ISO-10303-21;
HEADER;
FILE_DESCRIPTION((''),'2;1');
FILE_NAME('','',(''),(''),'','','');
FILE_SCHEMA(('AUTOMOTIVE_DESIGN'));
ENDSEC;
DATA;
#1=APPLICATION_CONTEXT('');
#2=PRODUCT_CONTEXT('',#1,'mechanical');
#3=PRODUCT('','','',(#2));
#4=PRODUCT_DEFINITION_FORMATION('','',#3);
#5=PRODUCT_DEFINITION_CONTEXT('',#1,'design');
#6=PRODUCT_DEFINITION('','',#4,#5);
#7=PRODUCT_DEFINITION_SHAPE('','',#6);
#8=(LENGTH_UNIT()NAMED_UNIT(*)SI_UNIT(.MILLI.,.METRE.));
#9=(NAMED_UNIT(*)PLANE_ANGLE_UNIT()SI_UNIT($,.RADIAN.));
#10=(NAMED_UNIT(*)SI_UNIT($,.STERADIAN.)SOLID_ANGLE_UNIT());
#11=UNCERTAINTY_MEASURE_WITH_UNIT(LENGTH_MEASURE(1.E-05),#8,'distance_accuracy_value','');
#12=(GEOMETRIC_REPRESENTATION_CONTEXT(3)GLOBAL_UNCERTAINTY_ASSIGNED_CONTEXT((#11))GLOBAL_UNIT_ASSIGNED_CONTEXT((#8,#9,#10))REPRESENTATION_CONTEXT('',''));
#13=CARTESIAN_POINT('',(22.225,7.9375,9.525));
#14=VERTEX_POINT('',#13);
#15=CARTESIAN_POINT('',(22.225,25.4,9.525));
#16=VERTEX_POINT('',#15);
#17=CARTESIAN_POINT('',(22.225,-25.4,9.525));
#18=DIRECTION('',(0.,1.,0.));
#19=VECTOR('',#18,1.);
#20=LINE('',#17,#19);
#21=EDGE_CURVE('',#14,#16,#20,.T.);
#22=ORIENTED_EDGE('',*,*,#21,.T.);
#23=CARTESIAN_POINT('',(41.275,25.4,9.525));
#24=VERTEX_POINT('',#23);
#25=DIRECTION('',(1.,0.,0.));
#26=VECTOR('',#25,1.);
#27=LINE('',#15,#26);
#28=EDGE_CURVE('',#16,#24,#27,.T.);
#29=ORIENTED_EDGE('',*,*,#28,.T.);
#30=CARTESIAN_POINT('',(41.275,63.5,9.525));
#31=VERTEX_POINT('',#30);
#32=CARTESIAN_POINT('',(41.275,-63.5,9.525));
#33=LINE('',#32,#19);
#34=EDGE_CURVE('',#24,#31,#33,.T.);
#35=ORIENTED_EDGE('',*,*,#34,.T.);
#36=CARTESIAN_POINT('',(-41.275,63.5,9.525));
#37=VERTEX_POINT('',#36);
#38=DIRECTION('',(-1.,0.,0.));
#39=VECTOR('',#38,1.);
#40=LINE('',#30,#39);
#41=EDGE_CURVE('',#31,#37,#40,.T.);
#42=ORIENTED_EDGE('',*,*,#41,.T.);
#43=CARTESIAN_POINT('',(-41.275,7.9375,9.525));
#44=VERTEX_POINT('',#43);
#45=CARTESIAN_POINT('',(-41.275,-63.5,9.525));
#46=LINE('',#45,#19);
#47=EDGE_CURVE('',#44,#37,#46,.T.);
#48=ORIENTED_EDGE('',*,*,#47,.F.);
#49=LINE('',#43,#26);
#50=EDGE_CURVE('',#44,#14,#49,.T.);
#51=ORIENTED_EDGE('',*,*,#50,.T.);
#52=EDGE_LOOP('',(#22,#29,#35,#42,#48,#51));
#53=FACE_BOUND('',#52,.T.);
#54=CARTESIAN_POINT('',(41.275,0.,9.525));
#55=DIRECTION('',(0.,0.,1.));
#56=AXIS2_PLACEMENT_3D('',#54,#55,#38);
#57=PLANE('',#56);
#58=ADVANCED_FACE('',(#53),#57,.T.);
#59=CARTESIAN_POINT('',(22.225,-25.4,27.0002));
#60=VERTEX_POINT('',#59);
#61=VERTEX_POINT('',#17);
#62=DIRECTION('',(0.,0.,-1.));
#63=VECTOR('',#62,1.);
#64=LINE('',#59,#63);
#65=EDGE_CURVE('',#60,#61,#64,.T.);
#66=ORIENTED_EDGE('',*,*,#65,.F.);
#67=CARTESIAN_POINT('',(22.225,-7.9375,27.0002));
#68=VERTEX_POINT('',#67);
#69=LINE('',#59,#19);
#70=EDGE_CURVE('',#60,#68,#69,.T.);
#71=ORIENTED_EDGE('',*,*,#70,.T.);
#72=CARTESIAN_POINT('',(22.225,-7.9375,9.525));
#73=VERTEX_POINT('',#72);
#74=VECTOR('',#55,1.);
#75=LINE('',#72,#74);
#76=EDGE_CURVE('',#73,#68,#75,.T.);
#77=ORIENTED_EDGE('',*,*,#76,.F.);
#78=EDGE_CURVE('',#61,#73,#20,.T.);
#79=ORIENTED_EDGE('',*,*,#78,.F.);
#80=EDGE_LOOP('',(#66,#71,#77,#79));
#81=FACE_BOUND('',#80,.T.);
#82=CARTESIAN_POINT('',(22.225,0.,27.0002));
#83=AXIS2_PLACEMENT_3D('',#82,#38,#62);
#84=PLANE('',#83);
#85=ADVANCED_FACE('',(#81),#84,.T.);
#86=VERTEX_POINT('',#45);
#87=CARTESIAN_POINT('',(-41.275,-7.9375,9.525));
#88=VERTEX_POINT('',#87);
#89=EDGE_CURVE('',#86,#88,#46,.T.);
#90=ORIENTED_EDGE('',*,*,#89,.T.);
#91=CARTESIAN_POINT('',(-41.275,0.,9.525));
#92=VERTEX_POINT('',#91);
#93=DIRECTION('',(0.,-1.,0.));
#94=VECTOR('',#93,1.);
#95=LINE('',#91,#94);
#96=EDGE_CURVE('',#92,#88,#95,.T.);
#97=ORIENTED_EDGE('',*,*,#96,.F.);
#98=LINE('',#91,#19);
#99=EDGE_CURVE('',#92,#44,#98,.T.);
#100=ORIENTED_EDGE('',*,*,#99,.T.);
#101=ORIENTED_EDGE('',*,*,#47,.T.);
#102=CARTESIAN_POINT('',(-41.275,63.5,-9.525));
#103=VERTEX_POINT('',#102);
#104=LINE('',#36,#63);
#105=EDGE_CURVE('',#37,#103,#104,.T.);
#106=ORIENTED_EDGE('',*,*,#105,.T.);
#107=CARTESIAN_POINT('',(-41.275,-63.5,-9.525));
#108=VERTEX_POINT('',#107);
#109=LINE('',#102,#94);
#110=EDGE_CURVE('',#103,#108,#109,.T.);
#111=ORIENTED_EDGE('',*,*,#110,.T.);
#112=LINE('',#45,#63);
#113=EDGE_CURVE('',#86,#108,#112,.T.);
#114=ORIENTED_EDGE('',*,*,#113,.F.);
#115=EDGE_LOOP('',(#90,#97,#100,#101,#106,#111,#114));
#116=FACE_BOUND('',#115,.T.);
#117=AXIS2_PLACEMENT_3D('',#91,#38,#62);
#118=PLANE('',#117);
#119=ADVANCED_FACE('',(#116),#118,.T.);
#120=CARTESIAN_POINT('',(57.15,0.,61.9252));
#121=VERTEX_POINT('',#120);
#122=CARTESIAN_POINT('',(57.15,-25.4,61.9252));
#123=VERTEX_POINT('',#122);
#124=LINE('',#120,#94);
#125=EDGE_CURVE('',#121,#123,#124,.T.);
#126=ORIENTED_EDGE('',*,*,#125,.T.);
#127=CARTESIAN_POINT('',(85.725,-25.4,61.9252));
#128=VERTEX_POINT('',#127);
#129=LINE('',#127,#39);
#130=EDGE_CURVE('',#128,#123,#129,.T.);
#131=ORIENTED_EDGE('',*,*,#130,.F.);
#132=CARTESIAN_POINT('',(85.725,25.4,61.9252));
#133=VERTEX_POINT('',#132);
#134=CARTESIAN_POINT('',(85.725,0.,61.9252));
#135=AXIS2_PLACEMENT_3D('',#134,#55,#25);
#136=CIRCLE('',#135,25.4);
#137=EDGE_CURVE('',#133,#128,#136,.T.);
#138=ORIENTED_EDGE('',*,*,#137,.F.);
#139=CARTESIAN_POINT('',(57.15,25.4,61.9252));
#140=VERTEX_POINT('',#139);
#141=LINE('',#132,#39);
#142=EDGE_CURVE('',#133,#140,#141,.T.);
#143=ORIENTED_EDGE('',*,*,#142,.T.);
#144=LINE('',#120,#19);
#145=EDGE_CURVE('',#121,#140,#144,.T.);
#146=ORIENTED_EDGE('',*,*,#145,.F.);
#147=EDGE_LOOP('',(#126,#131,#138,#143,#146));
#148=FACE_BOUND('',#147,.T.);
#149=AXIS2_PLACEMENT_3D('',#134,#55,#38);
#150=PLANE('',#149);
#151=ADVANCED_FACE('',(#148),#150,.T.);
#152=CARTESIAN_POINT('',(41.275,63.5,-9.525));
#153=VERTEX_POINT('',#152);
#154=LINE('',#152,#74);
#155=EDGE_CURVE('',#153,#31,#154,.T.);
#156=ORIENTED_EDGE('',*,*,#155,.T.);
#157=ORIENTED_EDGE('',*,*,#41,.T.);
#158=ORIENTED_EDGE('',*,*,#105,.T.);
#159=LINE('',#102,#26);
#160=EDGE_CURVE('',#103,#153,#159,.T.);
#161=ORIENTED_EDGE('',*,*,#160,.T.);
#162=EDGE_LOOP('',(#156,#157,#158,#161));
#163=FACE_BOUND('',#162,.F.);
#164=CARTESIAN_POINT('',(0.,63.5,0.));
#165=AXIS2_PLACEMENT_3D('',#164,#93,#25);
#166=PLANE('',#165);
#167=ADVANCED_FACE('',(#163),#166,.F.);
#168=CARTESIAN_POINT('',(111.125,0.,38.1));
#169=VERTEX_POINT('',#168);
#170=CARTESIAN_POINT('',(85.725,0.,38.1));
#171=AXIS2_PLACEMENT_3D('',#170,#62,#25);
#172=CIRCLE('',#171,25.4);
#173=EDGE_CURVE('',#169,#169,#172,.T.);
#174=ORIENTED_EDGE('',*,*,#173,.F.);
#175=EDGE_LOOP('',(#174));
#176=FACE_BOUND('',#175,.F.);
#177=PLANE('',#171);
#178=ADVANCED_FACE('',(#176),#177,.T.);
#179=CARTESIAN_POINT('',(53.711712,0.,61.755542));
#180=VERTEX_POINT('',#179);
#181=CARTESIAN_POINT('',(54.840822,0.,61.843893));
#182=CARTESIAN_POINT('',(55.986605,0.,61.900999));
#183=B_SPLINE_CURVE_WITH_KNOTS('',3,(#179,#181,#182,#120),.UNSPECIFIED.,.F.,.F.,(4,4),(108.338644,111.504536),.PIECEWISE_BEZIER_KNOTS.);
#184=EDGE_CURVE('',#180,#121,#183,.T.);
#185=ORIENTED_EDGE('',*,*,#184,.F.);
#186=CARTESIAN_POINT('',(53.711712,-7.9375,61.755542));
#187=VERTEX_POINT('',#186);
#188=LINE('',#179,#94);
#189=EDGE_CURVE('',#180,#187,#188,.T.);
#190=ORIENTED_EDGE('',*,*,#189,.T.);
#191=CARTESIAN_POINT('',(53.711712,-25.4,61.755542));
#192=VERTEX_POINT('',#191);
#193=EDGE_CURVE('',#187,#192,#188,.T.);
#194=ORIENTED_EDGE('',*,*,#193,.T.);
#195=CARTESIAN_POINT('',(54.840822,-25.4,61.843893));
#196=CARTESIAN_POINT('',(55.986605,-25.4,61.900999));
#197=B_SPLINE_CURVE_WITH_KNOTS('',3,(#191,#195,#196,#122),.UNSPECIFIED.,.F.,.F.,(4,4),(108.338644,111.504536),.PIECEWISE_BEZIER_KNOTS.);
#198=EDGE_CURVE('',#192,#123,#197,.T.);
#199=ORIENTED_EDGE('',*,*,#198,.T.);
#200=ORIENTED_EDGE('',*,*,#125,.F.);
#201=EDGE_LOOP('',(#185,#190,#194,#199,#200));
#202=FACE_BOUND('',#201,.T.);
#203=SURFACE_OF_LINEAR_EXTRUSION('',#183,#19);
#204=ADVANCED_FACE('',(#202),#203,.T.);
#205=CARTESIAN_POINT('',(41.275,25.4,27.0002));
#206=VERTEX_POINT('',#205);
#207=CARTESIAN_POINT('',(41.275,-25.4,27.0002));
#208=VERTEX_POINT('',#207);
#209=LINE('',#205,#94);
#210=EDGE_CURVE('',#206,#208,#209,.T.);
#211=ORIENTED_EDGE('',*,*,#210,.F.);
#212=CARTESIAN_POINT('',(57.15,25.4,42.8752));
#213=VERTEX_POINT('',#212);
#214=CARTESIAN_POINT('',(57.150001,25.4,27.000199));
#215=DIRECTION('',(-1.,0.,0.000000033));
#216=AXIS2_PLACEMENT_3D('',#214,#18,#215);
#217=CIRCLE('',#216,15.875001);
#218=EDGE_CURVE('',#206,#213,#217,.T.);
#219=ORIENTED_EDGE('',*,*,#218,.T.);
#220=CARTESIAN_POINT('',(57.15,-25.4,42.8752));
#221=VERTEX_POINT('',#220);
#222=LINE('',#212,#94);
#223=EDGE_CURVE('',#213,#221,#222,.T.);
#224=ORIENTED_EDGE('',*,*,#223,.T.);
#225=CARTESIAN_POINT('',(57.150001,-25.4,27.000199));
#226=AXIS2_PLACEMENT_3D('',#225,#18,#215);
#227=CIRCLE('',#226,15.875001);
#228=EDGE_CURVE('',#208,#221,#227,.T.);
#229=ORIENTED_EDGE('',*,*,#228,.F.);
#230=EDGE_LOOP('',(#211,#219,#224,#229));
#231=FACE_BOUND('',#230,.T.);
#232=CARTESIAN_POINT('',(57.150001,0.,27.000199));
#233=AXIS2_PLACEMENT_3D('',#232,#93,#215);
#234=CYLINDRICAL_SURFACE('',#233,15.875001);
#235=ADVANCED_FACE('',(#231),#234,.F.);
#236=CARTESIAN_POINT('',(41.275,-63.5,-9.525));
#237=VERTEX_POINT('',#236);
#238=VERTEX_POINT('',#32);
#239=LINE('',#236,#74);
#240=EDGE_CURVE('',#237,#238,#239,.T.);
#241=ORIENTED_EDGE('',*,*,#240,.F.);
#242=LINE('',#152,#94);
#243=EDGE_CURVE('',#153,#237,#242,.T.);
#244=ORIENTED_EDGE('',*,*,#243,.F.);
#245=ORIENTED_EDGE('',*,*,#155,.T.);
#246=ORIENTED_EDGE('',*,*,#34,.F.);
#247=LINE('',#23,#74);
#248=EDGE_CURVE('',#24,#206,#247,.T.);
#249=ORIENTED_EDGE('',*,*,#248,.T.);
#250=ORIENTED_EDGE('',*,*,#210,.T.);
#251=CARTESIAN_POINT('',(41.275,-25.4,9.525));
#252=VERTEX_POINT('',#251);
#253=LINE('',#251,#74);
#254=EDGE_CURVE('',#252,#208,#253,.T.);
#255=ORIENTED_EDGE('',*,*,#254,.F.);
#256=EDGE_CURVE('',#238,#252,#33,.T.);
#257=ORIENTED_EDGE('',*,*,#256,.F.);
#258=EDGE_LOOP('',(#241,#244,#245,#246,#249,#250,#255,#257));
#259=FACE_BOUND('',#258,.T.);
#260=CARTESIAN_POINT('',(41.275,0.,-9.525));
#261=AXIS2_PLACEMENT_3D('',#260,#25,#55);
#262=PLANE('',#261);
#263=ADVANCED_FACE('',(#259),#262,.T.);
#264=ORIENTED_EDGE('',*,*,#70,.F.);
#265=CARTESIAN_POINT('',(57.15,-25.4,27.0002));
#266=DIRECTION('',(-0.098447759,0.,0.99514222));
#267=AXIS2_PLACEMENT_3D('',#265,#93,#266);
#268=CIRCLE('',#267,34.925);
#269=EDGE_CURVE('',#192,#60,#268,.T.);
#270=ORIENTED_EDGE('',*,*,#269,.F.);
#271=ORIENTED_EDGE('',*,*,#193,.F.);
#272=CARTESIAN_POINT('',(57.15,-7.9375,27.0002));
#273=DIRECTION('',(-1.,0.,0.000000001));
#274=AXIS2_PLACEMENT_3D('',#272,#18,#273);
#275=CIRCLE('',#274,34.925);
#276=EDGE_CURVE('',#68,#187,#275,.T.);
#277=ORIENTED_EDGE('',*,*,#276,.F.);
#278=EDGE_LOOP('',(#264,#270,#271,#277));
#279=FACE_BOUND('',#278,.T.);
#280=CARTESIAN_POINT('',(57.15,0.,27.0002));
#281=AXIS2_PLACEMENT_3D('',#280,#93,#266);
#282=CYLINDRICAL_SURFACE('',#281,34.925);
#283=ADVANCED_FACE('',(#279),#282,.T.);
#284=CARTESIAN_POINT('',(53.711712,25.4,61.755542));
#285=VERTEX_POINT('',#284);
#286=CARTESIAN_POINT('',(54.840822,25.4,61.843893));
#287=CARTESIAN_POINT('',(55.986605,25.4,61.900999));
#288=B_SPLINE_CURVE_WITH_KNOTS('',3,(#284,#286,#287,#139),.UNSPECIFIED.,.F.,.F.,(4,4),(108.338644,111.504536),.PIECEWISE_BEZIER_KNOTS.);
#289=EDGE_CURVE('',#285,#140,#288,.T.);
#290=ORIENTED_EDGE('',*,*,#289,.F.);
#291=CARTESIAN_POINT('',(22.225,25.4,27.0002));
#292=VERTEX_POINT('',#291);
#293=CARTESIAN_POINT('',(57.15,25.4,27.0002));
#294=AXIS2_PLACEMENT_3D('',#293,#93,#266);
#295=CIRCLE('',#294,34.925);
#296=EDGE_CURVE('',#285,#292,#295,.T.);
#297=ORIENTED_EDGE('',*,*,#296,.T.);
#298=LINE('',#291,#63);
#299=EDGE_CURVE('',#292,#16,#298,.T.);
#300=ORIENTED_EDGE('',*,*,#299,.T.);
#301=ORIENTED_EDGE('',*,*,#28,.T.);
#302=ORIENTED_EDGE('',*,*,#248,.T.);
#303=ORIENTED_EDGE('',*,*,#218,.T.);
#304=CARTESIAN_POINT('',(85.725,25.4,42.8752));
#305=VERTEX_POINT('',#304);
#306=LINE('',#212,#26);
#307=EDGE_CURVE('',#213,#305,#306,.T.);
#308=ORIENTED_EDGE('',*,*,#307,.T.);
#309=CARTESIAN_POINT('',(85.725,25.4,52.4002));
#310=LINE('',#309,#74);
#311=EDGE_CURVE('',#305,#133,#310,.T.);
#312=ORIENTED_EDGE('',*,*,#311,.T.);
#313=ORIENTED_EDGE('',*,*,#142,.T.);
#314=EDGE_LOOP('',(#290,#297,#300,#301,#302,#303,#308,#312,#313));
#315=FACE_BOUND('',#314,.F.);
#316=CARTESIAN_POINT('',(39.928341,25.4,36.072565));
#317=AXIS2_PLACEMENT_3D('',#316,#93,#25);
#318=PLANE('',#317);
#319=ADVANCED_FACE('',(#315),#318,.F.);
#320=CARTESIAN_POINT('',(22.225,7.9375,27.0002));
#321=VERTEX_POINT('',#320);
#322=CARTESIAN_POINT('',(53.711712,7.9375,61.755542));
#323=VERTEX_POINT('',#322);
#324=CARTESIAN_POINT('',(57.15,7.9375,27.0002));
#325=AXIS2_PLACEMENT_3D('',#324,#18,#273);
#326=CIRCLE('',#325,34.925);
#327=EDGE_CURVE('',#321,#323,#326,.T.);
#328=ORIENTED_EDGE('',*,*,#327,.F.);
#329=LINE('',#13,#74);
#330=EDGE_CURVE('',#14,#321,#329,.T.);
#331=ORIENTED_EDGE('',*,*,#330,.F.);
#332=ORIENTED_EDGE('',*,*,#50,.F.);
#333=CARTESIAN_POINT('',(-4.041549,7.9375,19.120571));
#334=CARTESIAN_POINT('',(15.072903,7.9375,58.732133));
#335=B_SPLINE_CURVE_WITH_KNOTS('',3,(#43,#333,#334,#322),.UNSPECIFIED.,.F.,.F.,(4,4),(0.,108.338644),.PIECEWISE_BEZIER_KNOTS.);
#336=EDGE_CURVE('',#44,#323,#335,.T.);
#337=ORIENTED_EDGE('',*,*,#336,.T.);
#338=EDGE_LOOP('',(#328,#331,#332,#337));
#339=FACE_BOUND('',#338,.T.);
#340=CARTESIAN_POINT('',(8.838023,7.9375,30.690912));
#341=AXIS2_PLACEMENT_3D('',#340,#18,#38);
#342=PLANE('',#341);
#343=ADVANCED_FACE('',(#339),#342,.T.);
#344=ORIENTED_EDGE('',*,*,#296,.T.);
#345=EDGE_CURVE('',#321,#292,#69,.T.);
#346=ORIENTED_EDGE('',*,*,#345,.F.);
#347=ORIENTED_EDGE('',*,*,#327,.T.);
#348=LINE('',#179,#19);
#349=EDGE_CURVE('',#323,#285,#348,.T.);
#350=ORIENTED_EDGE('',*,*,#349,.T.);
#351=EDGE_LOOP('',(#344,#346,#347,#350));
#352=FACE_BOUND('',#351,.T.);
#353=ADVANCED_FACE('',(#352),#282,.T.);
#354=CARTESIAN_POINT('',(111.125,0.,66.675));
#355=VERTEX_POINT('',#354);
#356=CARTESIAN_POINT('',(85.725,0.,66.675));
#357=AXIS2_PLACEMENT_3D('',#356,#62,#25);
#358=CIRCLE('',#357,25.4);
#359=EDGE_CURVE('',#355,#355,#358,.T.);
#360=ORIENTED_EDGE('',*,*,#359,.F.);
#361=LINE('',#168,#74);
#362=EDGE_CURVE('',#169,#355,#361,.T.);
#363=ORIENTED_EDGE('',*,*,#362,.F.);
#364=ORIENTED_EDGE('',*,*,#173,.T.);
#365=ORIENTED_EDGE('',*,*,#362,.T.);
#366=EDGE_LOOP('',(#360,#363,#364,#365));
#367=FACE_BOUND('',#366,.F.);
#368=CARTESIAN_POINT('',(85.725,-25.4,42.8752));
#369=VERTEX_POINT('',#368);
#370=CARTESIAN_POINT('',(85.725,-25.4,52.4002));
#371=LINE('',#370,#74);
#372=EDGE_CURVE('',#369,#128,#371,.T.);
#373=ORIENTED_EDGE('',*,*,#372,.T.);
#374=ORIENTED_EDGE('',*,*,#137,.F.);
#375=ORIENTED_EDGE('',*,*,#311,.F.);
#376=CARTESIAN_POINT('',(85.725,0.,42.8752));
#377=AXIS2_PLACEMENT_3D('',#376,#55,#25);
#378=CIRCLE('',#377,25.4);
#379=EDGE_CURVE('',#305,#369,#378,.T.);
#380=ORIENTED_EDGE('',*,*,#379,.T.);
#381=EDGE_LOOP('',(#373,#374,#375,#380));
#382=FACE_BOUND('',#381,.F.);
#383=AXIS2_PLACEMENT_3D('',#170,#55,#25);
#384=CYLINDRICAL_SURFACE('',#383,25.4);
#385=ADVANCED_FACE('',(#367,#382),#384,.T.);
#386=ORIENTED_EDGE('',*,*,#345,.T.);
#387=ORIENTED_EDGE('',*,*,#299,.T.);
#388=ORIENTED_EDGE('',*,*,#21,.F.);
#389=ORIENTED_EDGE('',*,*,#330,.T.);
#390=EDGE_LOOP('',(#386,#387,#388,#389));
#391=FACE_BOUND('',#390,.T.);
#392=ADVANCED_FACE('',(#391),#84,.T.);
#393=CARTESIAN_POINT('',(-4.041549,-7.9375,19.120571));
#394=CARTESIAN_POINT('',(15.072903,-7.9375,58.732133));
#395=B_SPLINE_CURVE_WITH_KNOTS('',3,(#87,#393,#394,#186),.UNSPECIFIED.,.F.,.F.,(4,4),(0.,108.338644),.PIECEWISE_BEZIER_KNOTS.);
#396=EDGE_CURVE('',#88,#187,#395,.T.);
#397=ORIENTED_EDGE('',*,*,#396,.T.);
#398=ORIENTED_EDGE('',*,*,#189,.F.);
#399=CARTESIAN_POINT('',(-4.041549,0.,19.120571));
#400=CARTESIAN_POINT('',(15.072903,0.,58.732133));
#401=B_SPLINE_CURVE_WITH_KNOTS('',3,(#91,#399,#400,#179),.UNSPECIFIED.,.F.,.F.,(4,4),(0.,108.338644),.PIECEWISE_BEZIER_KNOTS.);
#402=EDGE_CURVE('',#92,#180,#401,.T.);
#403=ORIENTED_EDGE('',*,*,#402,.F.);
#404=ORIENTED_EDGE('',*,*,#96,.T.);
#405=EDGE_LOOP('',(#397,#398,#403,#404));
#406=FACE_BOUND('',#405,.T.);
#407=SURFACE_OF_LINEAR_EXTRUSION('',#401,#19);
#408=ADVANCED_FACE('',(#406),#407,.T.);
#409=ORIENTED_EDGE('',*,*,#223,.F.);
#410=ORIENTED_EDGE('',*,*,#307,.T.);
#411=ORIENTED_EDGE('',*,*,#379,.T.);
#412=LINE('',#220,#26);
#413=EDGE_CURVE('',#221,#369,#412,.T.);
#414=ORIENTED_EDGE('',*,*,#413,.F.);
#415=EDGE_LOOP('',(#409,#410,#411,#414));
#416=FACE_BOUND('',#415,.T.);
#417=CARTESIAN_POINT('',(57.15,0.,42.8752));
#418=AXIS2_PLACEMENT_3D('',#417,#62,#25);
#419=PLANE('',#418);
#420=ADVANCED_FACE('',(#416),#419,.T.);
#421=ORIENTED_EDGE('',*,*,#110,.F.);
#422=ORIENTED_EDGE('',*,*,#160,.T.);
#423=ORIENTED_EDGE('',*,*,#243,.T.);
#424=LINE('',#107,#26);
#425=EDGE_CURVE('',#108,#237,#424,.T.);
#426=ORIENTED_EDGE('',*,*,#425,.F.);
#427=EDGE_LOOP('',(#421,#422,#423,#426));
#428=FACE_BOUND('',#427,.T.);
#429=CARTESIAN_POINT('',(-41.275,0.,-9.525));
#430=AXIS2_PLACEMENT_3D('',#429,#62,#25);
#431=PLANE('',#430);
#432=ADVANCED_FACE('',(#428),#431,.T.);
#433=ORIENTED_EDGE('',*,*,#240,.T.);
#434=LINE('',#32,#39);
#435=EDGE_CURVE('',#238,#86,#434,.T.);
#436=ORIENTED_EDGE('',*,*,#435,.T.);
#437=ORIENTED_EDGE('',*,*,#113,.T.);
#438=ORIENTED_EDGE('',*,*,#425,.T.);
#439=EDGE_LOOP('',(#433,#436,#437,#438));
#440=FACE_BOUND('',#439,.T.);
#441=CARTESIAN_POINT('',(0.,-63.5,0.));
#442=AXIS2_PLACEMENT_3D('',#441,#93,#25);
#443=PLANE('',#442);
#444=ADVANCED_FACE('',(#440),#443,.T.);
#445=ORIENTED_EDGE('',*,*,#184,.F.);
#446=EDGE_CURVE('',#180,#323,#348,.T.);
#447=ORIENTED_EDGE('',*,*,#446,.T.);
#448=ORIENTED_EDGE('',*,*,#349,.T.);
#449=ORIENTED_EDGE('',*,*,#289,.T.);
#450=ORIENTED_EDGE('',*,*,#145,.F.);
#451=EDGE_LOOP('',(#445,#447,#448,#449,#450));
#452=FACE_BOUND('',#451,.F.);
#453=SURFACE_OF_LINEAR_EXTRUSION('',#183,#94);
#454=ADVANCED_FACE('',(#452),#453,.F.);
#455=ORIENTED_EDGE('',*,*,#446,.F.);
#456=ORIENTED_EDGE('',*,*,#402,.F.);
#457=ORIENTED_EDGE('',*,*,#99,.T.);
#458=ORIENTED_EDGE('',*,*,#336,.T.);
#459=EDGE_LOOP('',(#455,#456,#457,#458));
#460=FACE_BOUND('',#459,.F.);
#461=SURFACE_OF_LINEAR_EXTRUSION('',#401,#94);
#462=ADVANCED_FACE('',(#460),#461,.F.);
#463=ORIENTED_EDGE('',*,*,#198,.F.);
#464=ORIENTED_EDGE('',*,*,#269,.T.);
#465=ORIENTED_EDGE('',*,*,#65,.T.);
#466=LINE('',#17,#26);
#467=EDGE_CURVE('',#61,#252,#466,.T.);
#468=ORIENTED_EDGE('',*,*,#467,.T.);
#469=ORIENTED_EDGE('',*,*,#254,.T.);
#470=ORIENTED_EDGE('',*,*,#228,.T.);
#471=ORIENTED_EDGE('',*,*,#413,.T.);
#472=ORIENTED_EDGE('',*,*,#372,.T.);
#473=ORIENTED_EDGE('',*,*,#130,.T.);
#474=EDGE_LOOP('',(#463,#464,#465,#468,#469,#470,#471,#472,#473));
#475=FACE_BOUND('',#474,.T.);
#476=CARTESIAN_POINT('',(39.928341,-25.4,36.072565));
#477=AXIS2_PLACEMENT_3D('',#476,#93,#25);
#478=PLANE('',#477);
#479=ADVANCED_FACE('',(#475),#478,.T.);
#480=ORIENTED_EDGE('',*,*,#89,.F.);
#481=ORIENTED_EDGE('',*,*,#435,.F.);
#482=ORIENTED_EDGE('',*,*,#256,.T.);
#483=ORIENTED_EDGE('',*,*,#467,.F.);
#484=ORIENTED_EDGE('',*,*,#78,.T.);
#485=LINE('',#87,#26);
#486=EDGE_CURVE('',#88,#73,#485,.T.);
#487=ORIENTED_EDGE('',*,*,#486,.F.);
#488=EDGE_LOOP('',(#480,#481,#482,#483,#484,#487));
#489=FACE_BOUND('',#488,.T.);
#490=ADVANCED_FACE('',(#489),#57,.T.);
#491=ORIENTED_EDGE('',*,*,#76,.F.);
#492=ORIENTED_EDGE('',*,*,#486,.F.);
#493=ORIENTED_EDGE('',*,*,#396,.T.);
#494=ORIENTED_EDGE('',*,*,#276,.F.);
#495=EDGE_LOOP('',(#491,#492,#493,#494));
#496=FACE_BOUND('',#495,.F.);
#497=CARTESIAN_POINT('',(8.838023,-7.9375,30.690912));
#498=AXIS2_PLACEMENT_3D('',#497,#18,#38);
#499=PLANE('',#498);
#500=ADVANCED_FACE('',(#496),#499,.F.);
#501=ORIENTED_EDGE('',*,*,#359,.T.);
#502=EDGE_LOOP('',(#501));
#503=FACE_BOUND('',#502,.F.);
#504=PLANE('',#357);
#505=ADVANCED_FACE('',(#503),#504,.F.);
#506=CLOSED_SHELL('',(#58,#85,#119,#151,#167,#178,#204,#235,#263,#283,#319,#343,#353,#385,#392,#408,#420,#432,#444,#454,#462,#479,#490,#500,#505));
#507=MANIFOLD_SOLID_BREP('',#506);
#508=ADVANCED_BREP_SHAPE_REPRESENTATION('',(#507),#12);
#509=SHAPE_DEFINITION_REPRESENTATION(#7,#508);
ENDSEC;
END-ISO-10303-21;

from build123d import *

# Parameters (mm, degrees)
F1_DEPTH = 63.5
F2_DEPTH = 7.9375
F0_W     = 25.4
F0_H     = 19.05
F3_DEPTH = 25.4


with BuildPart() as f1:
    # F0 (on Front) → F1 (new body, symmetric)
    with BuildSketch(Plane.XZ):
        Polygon((-41.275, 9.525), (-41.275, -9.525), (41.275, -9.525), (41.275, 9.525), (22.225, 9.525), align=None)
    extrude(amount=F1_DEPTH, both=True)

    # F0 (on Front) → F2 (join, symmetric)
    with BuildSketch(Plane.XZ):
        with BuildLine():
            add(Edge.make_bspline(
                [(-41.275, 9.525), (-4.041549, 19.120571), (15.072903, 58.732133), (53.711712, 61.755542)],
                knots=[0, 0, 0, 0, 108.338644, 108.338644, 108.338644, 108.338644], degree=3))
            Line((-41.275, 9.525), (22.225, 9.525))
            Line((22.225, 9.525), (22.225, 27.0002))
            ThreePointArc((22.225, 27.0002), (31.267208, 50.448797), (53.711712, 61.755542))
        make_face()
    extrude(amount=F2_DEPTH, both=True)

    # F0 (on Front) → F3 (join, symmetric)
    with BuildSketch(Plane.XZ):
        with BuildLine():
            Line((22.225, 9.525), (41.275, 9.525))
            Line((41.275, 9.525), (41.275, 27.0002))
            ThreePointArc((41.275, 27.0002), (45.92468, 38.22552), (57.15, 42.8752))
            Line((57.15, 42.8752), (60.325, 42.8752))
            Line((60.325, 42.8752), (60.325, 61.9252))
            Line((60.325, 61.9252), (57.15, 61.9252))
            add(Edge.make_bspline(
                [(53.711712, 61.755542), (54.840822, 61.843893), (55.986605, 61.900999), (57.15, 61.9252)],
                knots=[108.338644, 108.338644, 108.338644, 108.338644, 111.504536, 111.504536, 111.504536, 111.504536], degree=3))
            ThreePointArc((53.711712, 61.755542), (31.267208, 50.448797), (22.225, 27.0002))
            Line((22.225, 27.0002), (22.225, 9.525))
        make_face()
        with Locations((73.025, 52.4002)):
            Rectangle(F0_W, F0_H)
    extrude(amount=F3_DEPTH, both=True)

    # F0 (on Front) → F4 (revolve)
    with BuildSketch(Plane.XZ):
        Polygon((85.725, 66.675), (85.725, 61.9252), (85.725, 42.8752), (85.725, 38.1), (111.125, 38.1), (111.125, 66.675), align=None)
    revolve(axis=Axis((85.725, 0, 52.4002), (0, 0, -1)))


solid = f1.part
